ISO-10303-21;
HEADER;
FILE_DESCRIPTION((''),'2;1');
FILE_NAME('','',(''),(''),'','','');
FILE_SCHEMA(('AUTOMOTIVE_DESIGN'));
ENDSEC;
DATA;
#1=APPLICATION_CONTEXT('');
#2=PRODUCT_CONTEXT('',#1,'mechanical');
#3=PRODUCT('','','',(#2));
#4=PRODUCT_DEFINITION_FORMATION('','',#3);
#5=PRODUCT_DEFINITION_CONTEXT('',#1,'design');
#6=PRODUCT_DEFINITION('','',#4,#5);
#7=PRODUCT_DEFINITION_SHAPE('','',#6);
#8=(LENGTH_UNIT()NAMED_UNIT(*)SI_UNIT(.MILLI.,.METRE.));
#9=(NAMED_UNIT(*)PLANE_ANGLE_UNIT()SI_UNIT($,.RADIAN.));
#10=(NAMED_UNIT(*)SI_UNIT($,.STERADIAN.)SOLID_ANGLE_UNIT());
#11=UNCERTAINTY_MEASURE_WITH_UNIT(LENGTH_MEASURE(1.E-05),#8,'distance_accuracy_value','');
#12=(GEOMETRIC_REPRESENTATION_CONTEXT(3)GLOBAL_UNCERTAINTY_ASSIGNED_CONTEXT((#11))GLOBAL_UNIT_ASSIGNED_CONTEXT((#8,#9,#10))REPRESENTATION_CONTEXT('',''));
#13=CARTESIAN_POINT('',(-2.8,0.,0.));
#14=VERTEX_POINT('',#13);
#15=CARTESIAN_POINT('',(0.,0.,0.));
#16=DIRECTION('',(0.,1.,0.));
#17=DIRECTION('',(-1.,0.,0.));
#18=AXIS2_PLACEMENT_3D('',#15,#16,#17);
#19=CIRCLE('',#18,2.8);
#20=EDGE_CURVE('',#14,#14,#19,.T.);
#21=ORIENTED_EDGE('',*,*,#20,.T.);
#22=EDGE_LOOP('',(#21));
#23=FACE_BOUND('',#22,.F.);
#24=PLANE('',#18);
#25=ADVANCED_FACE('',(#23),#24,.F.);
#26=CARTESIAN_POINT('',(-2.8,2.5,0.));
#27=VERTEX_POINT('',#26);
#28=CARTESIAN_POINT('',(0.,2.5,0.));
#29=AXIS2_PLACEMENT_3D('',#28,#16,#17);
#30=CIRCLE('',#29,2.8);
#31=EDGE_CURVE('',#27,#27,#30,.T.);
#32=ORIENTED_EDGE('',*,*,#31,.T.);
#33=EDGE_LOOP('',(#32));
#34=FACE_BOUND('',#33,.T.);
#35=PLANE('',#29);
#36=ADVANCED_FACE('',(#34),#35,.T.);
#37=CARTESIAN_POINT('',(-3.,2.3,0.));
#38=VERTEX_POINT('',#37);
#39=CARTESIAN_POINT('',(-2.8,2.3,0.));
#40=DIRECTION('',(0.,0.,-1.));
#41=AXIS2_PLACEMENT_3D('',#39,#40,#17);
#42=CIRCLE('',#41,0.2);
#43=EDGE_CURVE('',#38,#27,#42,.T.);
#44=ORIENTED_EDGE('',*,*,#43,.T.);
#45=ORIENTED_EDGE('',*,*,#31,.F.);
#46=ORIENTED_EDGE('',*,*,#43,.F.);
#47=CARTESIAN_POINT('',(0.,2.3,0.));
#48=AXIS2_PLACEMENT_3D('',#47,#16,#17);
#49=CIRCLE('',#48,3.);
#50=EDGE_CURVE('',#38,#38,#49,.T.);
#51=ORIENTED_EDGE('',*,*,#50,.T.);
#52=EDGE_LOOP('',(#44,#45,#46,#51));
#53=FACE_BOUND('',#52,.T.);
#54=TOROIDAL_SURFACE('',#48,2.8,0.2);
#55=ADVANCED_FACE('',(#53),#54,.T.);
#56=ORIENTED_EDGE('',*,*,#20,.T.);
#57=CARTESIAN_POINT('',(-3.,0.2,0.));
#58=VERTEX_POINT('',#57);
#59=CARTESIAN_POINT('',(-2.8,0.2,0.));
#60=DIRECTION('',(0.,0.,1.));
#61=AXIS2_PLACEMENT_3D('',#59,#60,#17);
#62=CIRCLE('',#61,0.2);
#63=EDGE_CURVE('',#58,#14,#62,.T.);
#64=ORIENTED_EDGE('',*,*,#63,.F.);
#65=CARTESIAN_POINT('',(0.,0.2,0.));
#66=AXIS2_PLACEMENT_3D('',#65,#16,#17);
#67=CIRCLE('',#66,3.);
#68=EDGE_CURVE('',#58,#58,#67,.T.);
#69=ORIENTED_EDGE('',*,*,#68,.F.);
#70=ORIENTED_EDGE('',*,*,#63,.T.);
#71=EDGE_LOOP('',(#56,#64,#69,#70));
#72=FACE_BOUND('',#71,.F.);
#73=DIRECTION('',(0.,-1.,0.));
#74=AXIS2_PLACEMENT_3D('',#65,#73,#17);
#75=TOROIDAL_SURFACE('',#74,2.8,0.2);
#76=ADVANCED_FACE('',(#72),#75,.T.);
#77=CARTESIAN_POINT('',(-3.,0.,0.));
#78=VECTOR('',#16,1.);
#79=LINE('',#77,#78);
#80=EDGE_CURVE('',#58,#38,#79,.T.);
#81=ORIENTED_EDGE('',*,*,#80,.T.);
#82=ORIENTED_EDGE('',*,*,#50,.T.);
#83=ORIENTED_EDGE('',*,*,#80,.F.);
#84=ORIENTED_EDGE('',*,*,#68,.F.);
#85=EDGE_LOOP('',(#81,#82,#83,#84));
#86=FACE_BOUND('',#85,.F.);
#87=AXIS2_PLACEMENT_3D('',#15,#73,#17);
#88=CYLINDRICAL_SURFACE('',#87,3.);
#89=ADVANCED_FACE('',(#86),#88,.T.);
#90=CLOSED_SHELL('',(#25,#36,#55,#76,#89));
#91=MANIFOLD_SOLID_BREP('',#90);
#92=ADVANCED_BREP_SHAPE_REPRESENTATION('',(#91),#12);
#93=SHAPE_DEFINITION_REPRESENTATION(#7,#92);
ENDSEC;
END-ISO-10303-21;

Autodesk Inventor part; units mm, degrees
ref_plane "YZ Plane" through (0, 0, 0) normal (1, 0, 0) x (0, 1, 0)
ref_plane "XZ Plane" through (0, 0, 0) normal (0, 1, 0) x (-1, 0, 0)
ref_plane "XY Plane" through (0, 0, 0) normal (0, 0, 1) x (1, 0, 0)
sketch "スケッチ1" plane through (0, 0, 0) normal (0, 1, 0) x (-1, 0, 0)
  circle A0 centre (0, 0) radius 3
  dimension "d0" = 6
extrude "押し出し1" add sketch "スケッチ1" along normal blind 2.5
fillet "フィレット1" radius 0.2 2 edges at (3, 2.5, 0) (3, 0, 0)
properties part number "magnet" material "鋼、炭素鋼"
